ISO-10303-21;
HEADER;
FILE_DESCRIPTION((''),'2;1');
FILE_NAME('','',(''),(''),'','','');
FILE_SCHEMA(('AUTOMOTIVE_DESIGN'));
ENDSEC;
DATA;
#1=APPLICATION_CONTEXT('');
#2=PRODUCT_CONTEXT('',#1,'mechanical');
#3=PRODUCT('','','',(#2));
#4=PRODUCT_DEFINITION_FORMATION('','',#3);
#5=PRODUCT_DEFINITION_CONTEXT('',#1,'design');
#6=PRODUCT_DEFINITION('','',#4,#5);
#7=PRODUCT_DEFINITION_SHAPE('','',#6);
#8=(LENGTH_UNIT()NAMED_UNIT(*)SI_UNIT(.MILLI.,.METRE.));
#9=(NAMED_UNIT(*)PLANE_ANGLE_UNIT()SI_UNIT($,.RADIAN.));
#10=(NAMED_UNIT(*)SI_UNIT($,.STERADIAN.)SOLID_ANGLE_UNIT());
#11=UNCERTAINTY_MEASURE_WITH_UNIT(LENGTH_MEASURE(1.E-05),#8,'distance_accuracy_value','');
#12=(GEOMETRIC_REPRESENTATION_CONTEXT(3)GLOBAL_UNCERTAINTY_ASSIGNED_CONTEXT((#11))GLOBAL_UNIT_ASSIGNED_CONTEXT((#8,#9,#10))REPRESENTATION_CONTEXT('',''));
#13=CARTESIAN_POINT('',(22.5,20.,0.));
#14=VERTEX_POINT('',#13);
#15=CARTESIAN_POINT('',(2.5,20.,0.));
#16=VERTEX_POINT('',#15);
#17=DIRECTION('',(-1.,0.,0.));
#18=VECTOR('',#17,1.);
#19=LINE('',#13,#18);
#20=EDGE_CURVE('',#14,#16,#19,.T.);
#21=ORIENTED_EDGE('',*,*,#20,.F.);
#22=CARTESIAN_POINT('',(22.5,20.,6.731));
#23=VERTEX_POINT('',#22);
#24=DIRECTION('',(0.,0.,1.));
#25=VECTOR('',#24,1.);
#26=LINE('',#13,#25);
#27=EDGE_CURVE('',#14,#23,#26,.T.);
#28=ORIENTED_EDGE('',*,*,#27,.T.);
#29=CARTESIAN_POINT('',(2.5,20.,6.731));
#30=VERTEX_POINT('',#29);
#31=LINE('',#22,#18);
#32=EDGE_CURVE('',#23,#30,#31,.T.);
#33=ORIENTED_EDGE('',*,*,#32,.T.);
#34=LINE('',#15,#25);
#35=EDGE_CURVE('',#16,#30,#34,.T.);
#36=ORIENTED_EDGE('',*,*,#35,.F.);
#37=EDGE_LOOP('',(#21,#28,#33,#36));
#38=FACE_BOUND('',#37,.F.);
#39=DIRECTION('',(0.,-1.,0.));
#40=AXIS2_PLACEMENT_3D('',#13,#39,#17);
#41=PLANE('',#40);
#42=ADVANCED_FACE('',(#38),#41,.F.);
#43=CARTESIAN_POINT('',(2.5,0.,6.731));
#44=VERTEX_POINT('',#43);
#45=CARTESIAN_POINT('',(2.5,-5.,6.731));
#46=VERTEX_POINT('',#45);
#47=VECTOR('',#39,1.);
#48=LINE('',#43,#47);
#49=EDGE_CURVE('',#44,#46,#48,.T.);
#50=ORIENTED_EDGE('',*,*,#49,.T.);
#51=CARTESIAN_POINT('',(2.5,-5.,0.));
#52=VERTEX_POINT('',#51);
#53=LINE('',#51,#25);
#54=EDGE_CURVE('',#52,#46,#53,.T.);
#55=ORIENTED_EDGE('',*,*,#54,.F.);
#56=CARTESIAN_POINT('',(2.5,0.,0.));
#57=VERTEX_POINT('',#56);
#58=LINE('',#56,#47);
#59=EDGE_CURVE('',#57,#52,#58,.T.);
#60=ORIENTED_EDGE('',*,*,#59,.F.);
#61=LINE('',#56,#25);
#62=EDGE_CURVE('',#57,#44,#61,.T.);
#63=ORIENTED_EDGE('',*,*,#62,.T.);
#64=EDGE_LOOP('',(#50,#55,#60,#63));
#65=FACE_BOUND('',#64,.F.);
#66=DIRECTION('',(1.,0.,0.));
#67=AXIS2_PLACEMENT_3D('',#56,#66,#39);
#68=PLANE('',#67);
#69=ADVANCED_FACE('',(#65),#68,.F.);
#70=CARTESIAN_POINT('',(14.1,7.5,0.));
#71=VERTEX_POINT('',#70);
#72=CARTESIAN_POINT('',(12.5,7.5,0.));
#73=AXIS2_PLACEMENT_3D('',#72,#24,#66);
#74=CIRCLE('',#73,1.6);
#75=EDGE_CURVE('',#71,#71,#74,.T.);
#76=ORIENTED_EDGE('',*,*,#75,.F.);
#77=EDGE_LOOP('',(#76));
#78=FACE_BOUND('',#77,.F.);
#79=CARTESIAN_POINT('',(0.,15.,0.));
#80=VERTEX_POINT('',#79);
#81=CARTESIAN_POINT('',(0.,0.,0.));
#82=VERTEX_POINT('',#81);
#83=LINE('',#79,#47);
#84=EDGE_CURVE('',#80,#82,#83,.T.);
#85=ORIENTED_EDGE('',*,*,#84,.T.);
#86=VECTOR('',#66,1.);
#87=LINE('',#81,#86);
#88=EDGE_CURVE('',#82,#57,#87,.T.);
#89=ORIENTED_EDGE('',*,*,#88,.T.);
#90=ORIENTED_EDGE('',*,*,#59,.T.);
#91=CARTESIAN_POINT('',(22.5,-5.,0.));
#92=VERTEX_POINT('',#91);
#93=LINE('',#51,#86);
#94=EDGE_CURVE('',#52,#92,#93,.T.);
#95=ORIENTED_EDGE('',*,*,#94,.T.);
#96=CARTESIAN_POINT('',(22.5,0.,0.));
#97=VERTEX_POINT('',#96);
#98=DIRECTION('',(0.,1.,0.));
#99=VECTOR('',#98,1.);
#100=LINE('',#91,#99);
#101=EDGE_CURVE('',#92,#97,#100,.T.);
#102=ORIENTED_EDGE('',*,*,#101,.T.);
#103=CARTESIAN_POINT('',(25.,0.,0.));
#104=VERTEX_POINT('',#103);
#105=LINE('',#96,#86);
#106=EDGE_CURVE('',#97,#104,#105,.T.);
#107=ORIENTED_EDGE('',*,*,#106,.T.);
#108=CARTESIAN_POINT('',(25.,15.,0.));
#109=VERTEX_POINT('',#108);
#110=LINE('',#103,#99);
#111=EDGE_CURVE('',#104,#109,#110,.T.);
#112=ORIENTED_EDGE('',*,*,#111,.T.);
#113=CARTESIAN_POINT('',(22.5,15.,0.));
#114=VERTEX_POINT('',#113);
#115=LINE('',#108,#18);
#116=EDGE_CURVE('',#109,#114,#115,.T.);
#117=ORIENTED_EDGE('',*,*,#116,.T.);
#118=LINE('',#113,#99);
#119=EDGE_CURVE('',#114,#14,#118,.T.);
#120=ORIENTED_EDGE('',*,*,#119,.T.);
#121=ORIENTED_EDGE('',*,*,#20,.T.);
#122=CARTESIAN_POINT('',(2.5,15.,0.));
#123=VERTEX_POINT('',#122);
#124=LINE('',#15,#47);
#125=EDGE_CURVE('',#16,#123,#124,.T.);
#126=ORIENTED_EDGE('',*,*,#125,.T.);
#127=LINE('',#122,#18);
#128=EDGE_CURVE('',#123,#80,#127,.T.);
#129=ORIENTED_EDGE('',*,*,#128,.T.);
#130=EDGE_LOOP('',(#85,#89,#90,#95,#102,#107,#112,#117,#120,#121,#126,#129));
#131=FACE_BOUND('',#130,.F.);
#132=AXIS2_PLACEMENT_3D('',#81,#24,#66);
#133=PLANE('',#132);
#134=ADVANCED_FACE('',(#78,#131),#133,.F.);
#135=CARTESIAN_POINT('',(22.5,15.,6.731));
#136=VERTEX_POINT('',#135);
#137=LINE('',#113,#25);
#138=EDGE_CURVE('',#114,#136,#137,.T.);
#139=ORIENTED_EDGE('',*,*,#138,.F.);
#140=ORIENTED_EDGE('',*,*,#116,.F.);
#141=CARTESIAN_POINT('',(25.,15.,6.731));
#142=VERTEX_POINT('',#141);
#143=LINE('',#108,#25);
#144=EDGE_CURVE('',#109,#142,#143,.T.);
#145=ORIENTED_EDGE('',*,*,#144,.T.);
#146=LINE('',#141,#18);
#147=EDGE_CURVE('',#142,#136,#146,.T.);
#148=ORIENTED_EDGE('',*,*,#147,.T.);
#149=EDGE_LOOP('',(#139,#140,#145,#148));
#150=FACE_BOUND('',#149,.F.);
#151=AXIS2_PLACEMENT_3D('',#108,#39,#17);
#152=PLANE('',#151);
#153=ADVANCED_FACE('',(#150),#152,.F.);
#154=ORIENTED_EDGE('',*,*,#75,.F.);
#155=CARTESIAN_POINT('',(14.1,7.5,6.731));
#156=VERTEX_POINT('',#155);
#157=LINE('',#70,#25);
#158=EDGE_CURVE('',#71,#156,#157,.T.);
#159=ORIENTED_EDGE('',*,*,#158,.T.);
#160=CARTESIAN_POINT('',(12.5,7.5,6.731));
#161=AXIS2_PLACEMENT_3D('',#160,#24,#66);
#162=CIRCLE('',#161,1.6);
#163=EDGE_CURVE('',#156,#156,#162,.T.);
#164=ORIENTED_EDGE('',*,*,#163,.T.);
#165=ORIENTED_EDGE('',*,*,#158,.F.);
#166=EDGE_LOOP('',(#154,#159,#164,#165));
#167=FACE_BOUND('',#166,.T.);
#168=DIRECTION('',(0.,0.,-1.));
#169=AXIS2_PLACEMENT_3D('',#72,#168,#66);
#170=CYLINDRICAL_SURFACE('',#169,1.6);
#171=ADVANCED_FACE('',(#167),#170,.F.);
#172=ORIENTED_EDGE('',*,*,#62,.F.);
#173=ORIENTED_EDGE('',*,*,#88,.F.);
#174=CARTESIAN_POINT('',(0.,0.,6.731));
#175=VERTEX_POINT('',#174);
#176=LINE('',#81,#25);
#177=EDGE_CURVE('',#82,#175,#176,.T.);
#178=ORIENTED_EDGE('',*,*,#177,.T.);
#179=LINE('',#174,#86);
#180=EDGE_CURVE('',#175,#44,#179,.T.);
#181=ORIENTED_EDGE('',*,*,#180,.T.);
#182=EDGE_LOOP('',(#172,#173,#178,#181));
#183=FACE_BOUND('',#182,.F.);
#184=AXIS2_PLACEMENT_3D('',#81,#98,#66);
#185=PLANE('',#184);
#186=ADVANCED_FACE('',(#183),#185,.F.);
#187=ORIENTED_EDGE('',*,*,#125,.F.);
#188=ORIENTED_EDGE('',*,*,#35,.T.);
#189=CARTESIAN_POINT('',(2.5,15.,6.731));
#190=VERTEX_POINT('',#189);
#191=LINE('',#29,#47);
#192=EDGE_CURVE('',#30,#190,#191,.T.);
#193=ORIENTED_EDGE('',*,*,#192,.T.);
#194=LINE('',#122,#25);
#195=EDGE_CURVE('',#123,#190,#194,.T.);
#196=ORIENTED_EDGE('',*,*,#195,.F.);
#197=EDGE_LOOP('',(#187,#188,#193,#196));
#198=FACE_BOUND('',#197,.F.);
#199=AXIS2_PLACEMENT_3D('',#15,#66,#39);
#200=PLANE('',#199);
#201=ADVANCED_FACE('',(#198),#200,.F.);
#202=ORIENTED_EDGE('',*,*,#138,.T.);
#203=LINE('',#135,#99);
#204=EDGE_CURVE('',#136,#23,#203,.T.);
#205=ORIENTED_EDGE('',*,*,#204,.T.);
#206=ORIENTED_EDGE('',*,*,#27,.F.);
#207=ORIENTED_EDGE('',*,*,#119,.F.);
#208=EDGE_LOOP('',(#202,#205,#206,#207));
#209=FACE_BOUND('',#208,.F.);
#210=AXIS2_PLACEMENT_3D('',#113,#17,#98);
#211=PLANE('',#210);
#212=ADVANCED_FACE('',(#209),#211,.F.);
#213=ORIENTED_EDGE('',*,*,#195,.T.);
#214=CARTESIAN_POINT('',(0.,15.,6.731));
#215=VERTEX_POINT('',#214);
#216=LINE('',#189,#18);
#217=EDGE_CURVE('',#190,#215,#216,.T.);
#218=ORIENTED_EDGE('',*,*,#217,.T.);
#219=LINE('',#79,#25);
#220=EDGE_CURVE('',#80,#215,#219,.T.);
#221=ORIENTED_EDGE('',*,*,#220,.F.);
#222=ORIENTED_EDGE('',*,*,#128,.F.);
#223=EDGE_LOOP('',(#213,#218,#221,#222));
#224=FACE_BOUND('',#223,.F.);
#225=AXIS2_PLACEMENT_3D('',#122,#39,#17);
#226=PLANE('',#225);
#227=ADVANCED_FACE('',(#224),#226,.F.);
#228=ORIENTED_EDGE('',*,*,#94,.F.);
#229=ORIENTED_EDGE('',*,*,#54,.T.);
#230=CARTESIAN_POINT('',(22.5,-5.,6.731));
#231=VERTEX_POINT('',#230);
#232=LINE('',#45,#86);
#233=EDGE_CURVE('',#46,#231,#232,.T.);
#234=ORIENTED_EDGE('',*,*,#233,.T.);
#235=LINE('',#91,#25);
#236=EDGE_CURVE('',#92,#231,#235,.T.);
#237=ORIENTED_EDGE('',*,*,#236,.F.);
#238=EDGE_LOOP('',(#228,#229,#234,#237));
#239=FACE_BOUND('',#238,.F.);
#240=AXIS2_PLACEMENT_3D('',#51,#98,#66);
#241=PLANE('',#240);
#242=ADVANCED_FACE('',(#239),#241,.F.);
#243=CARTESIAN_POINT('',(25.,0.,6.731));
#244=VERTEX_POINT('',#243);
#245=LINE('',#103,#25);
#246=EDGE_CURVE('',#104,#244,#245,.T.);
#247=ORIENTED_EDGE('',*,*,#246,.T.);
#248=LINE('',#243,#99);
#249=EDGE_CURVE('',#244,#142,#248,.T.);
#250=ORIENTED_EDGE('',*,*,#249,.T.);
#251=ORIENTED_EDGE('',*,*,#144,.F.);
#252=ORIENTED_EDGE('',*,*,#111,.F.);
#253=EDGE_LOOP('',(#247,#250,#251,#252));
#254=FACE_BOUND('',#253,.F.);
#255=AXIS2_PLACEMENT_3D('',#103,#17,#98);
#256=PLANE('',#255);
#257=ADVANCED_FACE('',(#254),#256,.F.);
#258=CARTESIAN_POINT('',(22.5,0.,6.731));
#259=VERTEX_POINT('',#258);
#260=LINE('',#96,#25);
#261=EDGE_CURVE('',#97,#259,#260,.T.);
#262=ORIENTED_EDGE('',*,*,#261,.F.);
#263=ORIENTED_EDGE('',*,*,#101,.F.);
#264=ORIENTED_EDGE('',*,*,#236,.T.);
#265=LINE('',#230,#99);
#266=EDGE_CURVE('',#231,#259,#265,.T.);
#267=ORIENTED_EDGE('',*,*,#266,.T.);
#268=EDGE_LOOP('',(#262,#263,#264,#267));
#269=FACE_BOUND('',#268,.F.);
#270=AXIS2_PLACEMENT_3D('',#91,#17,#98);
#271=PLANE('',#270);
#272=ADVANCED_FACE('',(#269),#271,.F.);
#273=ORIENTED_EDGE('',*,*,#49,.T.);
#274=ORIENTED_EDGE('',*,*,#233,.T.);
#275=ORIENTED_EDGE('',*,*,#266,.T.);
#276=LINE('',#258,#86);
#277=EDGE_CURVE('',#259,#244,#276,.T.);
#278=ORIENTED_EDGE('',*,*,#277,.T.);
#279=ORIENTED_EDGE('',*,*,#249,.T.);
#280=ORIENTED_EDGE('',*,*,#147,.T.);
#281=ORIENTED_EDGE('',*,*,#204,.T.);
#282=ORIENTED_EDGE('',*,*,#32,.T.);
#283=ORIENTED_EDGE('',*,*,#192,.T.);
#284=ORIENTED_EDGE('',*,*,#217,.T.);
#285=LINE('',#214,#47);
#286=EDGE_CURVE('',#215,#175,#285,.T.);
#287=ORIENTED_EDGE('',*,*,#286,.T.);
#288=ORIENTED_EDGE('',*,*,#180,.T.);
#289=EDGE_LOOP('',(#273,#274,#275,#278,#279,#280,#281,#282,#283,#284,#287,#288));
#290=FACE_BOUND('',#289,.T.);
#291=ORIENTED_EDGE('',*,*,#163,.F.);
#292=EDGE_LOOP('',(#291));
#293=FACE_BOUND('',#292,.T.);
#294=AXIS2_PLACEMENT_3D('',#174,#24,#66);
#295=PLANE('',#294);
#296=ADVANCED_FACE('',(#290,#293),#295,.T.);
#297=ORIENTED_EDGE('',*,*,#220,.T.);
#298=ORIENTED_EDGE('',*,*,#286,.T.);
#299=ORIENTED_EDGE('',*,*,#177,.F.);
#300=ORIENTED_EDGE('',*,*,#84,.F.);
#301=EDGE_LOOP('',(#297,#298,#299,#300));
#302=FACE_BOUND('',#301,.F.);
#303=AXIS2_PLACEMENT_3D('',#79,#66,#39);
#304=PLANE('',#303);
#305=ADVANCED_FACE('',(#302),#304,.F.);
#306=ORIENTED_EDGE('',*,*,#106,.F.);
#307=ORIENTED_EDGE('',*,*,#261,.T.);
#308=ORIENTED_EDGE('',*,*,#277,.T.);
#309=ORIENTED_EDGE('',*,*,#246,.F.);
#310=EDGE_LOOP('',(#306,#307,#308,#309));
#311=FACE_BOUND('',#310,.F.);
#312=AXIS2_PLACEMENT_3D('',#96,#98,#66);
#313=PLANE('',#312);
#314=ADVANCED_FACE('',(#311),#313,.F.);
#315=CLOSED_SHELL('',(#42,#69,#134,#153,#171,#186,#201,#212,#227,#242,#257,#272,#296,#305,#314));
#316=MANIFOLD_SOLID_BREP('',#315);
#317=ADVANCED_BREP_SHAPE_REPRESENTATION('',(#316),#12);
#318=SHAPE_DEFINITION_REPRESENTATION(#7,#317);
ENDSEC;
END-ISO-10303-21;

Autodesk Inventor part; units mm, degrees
ref_plane "YZ Plane" through (0, 0, 0) normal (1, 0, 0) x (0, 1, 0)
ref_plane "XZ Plane" through (0, 0, 0) normal (0, 1, 0) x (-1, 0, 0)
ref_plane "XY Plane" through (0, 0, 0) normal (0, 0, 1) x (1, 0, 0)
sketch "Sketch1" plane through (0, 0, 0) normal (0, 0, 1) x (1, 0, 0)
  line L0 (0, 0) -> (2.5, 0)
  line L1 (2.5, 0) -> (2.5, -5)
  line L2 (2.5, -5) -> (22.5, -5)
  line L3 (22.5, -5) -> (22.5, 0)
  line L4 (22.5, 0) -> (25, 0)
  line L5 (25, 0) -> (25, 15)
  line L6 (25, 15) -> (22.5, 15)
  line L7 (22.5, 15) -> (22.5, 20)
  line L8 (22.5, 20) -> (2.5, 20)
  line L9 (2.5, 20) -> (2.5, 15)
  line L10 (2.5, 15) -> (0, 15)
  line L11 (0, 15) -> (0, 0)
  circle A0 centre (12.5, 7.5) radius 1.6
  point P0 (0, 7.5)
  point P1 (12.5, 20)
  dimension "d0" = 20
  dimension "d1" = 15
  dimension "d2" = 25
  dimension "d3" = 5
  dimension "d4" = 3.2
extrude "Extrusion1" add sketch "Sketch1" along normal blind 6.731
equation "\"d10\" = THICKB"
equation "\"THICKA\" = 3.175"
equation "\"THICKB\" = 6.731"
equation "\"THICKC\" = 12.7"
equation "\"BALLDIA\" = 12"
equation "\"MAGDIA\" = 9.5"
equation "\"THICKPLY\" = 5"
properties part number "Frame_Upper_Plate_Pulley_A"
